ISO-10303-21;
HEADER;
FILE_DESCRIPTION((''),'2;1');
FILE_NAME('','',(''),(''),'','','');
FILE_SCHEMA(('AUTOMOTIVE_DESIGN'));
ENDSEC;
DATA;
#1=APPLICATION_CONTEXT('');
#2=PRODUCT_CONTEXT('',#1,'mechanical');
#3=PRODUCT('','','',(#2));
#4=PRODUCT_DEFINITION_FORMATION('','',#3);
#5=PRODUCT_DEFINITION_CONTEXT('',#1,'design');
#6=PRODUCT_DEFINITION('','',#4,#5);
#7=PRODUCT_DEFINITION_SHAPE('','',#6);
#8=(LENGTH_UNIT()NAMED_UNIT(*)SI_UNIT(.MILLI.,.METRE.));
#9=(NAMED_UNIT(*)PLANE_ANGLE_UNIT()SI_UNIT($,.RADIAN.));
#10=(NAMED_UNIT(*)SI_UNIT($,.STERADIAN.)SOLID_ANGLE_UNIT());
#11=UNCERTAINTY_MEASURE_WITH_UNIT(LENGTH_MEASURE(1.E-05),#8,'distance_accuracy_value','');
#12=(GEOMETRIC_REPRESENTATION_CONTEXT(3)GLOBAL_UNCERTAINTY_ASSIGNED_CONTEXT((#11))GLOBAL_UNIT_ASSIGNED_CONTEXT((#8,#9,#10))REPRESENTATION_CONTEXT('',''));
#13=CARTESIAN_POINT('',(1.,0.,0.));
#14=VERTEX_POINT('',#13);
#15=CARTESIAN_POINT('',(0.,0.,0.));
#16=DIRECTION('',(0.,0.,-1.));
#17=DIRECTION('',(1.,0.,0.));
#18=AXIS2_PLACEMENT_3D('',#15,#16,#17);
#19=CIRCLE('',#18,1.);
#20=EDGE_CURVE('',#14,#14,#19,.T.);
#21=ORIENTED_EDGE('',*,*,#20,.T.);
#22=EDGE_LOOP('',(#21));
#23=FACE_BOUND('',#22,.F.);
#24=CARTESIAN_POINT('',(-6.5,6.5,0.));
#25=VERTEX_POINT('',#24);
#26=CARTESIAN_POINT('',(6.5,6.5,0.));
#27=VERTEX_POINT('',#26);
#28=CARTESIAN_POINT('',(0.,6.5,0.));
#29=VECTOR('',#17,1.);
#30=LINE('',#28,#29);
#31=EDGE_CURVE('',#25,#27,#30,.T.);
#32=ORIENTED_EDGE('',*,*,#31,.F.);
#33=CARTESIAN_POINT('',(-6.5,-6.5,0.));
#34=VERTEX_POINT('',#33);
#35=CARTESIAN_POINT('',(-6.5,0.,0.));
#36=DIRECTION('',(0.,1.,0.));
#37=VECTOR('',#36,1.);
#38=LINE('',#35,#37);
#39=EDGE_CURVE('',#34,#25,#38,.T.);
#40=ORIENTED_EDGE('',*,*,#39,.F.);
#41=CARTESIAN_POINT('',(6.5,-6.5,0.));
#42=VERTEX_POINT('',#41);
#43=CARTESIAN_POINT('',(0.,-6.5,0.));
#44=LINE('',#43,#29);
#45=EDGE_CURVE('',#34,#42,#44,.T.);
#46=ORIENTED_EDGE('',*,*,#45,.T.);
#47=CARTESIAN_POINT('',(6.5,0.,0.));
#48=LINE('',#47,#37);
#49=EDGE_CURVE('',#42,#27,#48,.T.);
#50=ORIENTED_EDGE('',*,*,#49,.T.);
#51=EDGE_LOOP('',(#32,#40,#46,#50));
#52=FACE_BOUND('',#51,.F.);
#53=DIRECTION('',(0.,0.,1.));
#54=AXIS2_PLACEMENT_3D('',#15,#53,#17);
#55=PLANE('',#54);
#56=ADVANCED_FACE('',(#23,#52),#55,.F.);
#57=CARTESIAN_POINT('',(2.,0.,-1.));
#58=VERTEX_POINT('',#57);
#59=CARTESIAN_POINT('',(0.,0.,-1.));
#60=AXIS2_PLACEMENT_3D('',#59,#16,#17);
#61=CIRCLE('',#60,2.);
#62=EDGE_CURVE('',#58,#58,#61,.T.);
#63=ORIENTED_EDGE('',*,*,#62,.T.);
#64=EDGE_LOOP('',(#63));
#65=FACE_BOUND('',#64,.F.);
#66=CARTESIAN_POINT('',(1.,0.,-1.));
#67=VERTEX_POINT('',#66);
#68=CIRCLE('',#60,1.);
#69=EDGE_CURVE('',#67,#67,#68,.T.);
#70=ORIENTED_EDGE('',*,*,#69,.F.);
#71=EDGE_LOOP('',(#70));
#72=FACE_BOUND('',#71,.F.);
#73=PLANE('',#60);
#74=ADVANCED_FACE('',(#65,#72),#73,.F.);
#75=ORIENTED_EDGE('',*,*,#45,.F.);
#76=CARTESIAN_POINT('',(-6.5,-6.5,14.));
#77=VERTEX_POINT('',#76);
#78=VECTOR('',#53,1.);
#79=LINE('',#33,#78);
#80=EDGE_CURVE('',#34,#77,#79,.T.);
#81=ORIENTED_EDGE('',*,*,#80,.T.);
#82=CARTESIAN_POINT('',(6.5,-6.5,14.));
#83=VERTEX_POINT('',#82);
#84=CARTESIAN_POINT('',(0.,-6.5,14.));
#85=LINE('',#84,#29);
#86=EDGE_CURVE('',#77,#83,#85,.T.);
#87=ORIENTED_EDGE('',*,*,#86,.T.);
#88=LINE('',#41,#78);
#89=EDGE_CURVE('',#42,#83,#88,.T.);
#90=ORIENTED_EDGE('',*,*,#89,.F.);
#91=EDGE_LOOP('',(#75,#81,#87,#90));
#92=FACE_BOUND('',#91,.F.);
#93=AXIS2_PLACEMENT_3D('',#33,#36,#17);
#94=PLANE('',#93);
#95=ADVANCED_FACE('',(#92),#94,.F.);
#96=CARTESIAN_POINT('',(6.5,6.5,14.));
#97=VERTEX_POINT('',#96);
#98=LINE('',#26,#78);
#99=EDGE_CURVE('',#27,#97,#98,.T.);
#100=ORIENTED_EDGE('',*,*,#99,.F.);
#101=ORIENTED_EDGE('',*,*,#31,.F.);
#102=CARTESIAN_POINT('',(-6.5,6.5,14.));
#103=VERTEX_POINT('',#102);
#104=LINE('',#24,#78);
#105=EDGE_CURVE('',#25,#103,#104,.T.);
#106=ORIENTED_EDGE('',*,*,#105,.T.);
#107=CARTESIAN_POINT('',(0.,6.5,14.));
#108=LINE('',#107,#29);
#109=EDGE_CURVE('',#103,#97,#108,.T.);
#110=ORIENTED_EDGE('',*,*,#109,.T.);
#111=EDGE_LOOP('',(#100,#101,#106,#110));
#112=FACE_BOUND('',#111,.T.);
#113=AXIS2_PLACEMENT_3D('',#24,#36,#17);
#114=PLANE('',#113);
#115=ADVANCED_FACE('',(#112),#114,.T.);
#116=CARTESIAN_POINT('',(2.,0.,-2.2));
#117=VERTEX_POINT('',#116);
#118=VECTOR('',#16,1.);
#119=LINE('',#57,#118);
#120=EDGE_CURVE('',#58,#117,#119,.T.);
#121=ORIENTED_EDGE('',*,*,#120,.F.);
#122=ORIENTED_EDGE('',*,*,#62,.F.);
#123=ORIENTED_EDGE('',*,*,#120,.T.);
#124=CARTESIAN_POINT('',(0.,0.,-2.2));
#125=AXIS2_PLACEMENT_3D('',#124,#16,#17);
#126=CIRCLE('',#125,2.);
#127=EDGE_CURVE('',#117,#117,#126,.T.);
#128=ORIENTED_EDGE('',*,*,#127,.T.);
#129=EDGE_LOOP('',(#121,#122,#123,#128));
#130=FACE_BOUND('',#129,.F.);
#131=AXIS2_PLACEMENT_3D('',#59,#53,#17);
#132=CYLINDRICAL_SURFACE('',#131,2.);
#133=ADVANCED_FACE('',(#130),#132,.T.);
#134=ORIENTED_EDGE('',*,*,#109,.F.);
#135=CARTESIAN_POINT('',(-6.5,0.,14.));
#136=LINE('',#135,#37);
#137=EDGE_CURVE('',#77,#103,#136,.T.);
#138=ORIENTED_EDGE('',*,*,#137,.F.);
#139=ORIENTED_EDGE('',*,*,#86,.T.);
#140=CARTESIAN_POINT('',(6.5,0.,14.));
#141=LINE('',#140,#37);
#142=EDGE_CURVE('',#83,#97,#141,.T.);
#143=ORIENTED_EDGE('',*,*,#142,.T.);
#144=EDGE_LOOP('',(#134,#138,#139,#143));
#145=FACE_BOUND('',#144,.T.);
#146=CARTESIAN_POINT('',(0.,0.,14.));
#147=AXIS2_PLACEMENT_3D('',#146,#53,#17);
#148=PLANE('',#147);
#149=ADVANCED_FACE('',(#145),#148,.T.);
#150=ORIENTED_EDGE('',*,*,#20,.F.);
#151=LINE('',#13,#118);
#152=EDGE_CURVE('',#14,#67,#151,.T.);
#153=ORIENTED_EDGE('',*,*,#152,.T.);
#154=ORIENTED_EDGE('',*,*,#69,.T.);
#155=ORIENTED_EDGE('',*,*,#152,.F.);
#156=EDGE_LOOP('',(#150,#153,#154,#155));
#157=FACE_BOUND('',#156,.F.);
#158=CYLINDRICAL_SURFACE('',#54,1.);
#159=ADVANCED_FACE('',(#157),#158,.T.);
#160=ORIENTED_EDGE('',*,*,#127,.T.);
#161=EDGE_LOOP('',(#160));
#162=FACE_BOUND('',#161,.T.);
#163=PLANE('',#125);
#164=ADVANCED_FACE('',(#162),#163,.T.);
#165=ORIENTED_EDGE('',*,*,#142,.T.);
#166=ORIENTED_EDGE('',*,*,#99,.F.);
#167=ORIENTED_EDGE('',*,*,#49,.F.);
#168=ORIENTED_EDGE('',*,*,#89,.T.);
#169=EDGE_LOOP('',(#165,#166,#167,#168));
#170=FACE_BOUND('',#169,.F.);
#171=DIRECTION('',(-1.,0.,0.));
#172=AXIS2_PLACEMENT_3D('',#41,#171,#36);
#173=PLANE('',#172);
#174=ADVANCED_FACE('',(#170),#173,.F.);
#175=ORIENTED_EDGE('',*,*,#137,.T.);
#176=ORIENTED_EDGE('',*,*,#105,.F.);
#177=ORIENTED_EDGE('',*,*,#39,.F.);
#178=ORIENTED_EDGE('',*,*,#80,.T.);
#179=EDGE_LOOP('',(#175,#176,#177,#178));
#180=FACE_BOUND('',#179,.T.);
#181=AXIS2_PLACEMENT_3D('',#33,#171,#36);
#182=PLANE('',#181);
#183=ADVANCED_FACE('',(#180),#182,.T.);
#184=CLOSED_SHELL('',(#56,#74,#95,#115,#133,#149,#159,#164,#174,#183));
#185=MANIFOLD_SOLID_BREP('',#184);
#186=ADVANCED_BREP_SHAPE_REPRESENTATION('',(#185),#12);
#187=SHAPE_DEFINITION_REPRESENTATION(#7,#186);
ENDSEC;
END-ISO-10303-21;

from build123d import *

# Parameters (mm, degrees)
F0_W     = 13
F0_H     = 13
F1_DEPTH = 14
F2_R     = 1
F3_DEPTH = 1
F4_R     = 2
F5_DEPTH = 1.2


with BuildPart() as f1:
    # F0 (on Top) → F1 (new body)
    with BuildSketch(Plane.XY):
        Rectangle(F0_W, F0_H)
    extrude(amount=F1_DEPTH)

    # F2 (on face) → F3 (join)
    with BuildSketch(Plane(origin=(0, 0, 0), x_dir=(1, 0, 0), z_dir=(0, 0, -1))):
        Circle(F2_R)
    extrude(amount=F3_DEPTH)

    # F4 (on face) → F5 (join)
    with BuildSketch(Plane(origin=(0, 0, -1), x_dir=(1, 0, 0), z_dir=(0, 0, -1))):
        Circle(F4_R)
    extrude(amount=F5_DEPTH)


solid = f1.part
